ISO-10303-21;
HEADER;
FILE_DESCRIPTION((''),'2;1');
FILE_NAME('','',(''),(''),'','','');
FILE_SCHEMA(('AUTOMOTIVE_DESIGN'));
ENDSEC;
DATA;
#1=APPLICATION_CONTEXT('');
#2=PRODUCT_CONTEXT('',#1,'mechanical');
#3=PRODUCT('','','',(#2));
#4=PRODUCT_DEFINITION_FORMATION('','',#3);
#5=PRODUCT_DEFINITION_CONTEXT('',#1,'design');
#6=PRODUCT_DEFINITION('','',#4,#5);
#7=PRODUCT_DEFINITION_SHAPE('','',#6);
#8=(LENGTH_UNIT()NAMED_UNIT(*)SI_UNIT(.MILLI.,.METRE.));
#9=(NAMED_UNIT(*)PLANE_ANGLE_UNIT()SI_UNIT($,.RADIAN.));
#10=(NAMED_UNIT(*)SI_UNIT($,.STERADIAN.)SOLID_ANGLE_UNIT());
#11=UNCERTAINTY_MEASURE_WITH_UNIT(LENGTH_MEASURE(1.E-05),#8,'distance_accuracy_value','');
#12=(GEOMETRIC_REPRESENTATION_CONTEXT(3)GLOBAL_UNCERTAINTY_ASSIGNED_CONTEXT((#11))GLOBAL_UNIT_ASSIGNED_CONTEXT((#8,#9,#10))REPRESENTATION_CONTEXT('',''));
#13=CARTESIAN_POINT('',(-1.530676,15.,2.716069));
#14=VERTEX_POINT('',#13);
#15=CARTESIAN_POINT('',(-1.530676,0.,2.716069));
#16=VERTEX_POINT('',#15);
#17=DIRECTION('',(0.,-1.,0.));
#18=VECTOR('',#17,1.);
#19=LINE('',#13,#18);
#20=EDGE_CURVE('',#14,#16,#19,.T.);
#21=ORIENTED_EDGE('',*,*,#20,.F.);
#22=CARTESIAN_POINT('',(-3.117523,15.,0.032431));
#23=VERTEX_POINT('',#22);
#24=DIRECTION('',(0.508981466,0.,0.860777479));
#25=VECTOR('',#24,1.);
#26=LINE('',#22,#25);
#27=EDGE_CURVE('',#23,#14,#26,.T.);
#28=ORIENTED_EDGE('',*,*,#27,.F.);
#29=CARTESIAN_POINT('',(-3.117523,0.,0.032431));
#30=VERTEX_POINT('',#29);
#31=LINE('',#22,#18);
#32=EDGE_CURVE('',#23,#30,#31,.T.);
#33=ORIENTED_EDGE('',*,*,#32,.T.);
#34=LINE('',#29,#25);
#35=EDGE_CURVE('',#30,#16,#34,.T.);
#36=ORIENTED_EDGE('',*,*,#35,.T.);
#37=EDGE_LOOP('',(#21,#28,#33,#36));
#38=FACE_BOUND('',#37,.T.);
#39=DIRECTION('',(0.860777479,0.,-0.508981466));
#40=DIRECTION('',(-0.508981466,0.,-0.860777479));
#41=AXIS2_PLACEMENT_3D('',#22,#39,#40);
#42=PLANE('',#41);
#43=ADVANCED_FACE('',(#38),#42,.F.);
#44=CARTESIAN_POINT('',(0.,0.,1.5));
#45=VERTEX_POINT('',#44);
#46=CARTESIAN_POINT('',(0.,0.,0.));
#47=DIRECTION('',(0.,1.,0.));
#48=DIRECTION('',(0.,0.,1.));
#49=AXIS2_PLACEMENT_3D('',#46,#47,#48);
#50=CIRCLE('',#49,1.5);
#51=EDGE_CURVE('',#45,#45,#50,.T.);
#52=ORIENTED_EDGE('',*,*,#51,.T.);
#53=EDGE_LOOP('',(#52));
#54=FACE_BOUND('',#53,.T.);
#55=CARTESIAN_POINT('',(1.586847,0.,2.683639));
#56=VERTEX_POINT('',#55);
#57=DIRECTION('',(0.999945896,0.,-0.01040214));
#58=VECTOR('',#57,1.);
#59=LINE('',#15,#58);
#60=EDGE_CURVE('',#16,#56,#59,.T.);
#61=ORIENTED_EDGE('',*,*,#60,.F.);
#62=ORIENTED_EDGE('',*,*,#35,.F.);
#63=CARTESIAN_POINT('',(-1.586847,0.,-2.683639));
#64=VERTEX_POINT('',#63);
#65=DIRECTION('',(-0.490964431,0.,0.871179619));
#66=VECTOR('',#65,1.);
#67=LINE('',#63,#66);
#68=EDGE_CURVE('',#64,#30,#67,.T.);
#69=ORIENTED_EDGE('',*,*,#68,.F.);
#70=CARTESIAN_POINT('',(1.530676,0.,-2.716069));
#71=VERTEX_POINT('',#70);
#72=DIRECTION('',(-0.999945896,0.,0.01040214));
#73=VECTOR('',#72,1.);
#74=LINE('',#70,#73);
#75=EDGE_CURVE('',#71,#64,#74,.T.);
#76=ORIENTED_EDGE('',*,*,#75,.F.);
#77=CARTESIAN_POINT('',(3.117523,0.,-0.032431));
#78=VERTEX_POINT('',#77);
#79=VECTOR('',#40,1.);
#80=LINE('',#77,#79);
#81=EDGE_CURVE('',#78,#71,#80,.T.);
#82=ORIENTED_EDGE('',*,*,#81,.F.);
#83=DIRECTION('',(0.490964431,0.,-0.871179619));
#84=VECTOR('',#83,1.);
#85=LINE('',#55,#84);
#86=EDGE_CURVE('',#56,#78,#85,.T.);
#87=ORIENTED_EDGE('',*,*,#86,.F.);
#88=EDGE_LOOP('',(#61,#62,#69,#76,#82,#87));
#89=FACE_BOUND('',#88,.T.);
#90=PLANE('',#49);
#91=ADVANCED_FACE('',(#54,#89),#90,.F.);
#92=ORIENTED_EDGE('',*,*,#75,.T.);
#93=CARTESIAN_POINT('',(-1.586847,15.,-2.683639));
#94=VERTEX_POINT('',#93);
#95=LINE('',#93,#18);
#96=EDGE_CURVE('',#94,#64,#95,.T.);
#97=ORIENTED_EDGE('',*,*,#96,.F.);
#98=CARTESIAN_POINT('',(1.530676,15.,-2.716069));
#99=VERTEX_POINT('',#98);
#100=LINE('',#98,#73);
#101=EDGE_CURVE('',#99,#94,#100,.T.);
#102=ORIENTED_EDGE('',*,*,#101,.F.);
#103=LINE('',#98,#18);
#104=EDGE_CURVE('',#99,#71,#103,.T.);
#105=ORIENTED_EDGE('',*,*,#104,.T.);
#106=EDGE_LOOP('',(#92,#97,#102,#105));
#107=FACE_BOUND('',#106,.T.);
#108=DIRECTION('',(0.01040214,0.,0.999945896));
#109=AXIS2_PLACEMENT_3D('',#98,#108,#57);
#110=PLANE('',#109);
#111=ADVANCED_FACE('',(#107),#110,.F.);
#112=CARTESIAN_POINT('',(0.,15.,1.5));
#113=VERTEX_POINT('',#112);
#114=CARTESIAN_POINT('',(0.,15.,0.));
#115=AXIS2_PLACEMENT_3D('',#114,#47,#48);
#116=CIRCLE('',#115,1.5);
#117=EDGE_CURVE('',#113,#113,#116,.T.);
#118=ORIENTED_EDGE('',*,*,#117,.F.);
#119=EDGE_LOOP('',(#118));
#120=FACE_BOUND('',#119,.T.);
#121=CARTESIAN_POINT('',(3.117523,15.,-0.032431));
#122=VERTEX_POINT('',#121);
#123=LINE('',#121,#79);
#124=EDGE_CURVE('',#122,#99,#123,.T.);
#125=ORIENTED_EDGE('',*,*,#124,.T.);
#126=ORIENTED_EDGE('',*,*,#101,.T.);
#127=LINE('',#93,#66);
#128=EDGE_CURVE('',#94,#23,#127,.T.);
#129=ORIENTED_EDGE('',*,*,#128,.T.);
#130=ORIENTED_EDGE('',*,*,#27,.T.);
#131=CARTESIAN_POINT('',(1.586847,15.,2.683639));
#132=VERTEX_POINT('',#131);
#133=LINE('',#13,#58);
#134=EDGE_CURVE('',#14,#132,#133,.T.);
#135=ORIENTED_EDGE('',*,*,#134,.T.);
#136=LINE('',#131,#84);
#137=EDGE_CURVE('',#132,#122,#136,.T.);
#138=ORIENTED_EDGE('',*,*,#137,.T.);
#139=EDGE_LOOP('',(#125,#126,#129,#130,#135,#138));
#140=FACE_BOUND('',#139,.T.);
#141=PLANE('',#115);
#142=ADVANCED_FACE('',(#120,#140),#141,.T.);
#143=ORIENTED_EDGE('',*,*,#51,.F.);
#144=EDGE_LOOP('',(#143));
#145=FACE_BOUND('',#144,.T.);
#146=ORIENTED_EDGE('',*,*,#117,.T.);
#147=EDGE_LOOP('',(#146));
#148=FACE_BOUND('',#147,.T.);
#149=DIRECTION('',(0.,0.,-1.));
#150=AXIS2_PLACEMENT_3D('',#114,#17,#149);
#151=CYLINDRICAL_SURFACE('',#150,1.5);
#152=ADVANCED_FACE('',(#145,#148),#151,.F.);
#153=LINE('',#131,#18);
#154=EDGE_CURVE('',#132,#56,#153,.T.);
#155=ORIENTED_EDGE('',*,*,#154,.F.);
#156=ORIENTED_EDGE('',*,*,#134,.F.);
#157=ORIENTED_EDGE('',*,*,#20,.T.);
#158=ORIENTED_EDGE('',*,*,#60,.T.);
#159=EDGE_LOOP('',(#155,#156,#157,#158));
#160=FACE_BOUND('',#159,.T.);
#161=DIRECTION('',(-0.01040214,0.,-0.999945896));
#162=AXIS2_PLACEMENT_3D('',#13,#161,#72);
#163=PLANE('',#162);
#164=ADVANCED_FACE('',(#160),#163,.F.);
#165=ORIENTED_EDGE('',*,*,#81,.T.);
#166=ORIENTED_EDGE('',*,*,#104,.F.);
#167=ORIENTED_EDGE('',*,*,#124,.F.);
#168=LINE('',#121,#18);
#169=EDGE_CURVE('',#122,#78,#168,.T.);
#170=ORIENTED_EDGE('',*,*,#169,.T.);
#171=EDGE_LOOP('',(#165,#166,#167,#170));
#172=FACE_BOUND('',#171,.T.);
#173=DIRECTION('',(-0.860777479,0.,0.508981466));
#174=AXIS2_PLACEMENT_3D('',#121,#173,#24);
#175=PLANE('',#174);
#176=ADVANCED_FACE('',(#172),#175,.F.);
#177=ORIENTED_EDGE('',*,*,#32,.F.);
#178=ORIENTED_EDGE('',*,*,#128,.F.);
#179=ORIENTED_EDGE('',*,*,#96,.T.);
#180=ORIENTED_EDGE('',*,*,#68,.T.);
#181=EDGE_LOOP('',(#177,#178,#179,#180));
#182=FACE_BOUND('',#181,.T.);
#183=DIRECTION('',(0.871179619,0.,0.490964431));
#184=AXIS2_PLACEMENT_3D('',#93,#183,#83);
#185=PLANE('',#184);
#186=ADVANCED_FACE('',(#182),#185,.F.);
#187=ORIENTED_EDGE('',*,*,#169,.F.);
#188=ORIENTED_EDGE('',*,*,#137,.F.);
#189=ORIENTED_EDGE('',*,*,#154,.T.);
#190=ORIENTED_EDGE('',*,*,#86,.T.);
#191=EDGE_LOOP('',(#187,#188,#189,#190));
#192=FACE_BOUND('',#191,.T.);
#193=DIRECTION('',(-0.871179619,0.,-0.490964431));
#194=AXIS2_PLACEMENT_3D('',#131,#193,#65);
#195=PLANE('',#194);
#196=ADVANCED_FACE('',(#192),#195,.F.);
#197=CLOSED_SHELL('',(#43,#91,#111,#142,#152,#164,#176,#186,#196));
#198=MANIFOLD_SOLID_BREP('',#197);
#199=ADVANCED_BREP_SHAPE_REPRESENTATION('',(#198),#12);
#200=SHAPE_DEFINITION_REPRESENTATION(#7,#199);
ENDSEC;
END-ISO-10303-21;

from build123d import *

# Parameters (mm, degrees)
SKETCH1_R           = 1.5
BOSS_EXTRUDE1_DEPTH = 15


with BuildPart() as part:
    # Sketch1 → Boss-Extrude1 (new body)
    with BuildSketch(Plane(origin=(0, 0, 0), x_dir=(1, 0, 0), z_dir=(0, 1, 0))):
        Polygon((1.53067561, 2.716069251), (-1.586847165, 2.683638589), (-3.117522775, -0.032430663), (-1.53067561, -2.716069251), (1.586847165, -2.683638589), (3.117522775, 0.032430663), align=None)
        with Locations(Location((0, 0, 0), (0, 0, 270))):
            Circle(SKETCH1_R, mode=Mode.SUBTRACT)
    extrude(amount=BOSS_EXTRUDE1_DEPTH)


solid = part.part
